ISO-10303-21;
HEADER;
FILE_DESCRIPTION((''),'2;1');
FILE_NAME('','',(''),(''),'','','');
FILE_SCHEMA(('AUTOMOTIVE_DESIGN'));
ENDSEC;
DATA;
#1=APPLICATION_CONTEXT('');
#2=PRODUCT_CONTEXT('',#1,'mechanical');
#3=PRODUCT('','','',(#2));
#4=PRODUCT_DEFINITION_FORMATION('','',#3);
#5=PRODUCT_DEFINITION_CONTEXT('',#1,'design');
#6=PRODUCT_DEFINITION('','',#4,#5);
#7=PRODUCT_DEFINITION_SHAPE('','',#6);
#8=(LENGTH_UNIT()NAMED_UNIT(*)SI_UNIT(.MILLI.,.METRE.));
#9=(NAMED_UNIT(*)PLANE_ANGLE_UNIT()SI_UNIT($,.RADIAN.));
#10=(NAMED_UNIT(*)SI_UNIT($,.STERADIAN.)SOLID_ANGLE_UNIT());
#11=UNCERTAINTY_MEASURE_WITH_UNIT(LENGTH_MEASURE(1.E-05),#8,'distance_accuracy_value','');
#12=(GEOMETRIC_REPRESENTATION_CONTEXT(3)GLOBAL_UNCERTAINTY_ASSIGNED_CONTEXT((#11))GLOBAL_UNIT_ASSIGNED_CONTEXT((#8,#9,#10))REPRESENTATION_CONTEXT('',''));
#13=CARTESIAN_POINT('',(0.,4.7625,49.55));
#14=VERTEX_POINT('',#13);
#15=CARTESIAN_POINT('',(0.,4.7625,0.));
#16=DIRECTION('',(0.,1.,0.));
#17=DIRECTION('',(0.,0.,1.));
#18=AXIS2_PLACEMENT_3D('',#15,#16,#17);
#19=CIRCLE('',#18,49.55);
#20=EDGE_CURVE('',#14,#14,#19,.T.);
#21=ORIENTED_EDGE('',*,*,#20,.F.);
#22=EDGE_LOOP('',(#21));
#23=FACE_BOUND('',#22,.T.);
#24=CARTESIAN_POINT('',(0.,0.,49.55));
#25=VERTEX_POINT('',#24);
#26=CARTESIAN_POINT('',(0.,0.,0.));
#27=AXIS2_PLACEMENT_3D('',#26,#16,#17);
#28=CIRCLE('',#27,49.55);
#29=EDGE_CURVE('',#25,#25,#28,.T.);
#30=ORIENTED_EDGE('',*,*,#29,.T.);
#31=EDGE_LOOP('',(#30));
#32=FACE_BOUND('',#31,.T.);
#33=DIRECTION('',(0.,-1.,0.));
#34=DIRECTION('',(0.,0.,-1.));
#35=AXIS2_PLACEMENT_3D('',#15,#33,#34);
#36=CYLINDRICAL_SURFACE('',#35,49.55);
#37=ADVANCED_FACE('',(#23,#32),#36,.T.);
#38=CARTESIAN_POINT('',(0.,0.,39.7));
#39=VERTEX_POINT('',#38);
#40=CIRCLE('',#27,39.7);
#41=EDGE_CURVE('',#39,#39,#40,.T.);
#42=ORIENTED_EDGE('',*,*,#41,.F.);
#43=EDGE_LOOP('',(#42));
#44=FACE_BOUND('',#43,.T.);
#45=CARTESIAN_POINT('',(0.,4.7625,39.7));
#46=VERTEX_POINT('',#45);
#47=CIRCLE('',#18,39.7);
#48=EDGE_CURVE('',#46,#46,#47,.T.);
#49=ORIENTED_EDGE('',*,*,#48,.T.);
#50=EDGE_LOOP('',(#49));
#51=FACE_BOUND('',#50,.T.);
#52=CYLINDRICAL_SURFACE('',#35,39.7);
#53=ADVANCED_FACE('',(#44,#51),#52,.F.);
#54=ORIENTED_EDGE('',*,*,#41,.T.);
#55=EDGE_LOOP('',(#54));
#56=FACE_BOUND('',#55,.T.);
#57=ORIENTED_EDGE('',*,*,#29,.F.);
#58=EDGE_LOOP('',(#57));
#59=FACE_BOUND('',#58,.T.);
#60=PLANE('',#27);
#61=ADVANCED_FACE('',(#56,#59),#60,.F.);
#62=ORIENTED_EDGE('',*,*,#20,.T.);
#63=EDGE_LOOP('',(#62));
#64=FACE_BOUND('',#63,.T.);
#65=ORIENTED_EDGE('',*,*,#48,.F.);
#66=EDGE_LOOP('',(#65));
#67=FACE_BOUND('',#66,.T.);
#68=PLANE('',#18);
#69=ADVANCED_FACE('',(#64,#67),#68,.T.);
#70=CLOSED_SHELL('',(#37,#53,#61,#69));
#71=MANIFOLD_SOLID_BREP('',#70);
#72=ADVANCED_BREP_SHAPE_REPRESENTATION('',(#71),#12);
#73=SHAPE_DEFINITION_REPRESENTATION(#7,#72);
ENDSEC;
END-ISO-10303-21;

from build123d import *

# Parameters (mm, degrees)
SKETCH2_R           = 49.55
SKETCH2_R_2         = 39.7
BOSS_EXTRUDE1_DEPTH = 4.7625


with BuildPart() as part:
    # Sketch2 → Boss-Extrude1 (new body)
    with BuildSketch(Plane(origin=(0, 0, 0), x_dir=(1, 0, 0), z_dir=(0, 1, 0))):
        Circle(SKETCH2_R)
        Circle(SKETCH2_R_2, mode=Mode.SUBTRACT)
    extrude(amount=BOSS_EXTRUDE1_DEPTH)


solid = part.part
